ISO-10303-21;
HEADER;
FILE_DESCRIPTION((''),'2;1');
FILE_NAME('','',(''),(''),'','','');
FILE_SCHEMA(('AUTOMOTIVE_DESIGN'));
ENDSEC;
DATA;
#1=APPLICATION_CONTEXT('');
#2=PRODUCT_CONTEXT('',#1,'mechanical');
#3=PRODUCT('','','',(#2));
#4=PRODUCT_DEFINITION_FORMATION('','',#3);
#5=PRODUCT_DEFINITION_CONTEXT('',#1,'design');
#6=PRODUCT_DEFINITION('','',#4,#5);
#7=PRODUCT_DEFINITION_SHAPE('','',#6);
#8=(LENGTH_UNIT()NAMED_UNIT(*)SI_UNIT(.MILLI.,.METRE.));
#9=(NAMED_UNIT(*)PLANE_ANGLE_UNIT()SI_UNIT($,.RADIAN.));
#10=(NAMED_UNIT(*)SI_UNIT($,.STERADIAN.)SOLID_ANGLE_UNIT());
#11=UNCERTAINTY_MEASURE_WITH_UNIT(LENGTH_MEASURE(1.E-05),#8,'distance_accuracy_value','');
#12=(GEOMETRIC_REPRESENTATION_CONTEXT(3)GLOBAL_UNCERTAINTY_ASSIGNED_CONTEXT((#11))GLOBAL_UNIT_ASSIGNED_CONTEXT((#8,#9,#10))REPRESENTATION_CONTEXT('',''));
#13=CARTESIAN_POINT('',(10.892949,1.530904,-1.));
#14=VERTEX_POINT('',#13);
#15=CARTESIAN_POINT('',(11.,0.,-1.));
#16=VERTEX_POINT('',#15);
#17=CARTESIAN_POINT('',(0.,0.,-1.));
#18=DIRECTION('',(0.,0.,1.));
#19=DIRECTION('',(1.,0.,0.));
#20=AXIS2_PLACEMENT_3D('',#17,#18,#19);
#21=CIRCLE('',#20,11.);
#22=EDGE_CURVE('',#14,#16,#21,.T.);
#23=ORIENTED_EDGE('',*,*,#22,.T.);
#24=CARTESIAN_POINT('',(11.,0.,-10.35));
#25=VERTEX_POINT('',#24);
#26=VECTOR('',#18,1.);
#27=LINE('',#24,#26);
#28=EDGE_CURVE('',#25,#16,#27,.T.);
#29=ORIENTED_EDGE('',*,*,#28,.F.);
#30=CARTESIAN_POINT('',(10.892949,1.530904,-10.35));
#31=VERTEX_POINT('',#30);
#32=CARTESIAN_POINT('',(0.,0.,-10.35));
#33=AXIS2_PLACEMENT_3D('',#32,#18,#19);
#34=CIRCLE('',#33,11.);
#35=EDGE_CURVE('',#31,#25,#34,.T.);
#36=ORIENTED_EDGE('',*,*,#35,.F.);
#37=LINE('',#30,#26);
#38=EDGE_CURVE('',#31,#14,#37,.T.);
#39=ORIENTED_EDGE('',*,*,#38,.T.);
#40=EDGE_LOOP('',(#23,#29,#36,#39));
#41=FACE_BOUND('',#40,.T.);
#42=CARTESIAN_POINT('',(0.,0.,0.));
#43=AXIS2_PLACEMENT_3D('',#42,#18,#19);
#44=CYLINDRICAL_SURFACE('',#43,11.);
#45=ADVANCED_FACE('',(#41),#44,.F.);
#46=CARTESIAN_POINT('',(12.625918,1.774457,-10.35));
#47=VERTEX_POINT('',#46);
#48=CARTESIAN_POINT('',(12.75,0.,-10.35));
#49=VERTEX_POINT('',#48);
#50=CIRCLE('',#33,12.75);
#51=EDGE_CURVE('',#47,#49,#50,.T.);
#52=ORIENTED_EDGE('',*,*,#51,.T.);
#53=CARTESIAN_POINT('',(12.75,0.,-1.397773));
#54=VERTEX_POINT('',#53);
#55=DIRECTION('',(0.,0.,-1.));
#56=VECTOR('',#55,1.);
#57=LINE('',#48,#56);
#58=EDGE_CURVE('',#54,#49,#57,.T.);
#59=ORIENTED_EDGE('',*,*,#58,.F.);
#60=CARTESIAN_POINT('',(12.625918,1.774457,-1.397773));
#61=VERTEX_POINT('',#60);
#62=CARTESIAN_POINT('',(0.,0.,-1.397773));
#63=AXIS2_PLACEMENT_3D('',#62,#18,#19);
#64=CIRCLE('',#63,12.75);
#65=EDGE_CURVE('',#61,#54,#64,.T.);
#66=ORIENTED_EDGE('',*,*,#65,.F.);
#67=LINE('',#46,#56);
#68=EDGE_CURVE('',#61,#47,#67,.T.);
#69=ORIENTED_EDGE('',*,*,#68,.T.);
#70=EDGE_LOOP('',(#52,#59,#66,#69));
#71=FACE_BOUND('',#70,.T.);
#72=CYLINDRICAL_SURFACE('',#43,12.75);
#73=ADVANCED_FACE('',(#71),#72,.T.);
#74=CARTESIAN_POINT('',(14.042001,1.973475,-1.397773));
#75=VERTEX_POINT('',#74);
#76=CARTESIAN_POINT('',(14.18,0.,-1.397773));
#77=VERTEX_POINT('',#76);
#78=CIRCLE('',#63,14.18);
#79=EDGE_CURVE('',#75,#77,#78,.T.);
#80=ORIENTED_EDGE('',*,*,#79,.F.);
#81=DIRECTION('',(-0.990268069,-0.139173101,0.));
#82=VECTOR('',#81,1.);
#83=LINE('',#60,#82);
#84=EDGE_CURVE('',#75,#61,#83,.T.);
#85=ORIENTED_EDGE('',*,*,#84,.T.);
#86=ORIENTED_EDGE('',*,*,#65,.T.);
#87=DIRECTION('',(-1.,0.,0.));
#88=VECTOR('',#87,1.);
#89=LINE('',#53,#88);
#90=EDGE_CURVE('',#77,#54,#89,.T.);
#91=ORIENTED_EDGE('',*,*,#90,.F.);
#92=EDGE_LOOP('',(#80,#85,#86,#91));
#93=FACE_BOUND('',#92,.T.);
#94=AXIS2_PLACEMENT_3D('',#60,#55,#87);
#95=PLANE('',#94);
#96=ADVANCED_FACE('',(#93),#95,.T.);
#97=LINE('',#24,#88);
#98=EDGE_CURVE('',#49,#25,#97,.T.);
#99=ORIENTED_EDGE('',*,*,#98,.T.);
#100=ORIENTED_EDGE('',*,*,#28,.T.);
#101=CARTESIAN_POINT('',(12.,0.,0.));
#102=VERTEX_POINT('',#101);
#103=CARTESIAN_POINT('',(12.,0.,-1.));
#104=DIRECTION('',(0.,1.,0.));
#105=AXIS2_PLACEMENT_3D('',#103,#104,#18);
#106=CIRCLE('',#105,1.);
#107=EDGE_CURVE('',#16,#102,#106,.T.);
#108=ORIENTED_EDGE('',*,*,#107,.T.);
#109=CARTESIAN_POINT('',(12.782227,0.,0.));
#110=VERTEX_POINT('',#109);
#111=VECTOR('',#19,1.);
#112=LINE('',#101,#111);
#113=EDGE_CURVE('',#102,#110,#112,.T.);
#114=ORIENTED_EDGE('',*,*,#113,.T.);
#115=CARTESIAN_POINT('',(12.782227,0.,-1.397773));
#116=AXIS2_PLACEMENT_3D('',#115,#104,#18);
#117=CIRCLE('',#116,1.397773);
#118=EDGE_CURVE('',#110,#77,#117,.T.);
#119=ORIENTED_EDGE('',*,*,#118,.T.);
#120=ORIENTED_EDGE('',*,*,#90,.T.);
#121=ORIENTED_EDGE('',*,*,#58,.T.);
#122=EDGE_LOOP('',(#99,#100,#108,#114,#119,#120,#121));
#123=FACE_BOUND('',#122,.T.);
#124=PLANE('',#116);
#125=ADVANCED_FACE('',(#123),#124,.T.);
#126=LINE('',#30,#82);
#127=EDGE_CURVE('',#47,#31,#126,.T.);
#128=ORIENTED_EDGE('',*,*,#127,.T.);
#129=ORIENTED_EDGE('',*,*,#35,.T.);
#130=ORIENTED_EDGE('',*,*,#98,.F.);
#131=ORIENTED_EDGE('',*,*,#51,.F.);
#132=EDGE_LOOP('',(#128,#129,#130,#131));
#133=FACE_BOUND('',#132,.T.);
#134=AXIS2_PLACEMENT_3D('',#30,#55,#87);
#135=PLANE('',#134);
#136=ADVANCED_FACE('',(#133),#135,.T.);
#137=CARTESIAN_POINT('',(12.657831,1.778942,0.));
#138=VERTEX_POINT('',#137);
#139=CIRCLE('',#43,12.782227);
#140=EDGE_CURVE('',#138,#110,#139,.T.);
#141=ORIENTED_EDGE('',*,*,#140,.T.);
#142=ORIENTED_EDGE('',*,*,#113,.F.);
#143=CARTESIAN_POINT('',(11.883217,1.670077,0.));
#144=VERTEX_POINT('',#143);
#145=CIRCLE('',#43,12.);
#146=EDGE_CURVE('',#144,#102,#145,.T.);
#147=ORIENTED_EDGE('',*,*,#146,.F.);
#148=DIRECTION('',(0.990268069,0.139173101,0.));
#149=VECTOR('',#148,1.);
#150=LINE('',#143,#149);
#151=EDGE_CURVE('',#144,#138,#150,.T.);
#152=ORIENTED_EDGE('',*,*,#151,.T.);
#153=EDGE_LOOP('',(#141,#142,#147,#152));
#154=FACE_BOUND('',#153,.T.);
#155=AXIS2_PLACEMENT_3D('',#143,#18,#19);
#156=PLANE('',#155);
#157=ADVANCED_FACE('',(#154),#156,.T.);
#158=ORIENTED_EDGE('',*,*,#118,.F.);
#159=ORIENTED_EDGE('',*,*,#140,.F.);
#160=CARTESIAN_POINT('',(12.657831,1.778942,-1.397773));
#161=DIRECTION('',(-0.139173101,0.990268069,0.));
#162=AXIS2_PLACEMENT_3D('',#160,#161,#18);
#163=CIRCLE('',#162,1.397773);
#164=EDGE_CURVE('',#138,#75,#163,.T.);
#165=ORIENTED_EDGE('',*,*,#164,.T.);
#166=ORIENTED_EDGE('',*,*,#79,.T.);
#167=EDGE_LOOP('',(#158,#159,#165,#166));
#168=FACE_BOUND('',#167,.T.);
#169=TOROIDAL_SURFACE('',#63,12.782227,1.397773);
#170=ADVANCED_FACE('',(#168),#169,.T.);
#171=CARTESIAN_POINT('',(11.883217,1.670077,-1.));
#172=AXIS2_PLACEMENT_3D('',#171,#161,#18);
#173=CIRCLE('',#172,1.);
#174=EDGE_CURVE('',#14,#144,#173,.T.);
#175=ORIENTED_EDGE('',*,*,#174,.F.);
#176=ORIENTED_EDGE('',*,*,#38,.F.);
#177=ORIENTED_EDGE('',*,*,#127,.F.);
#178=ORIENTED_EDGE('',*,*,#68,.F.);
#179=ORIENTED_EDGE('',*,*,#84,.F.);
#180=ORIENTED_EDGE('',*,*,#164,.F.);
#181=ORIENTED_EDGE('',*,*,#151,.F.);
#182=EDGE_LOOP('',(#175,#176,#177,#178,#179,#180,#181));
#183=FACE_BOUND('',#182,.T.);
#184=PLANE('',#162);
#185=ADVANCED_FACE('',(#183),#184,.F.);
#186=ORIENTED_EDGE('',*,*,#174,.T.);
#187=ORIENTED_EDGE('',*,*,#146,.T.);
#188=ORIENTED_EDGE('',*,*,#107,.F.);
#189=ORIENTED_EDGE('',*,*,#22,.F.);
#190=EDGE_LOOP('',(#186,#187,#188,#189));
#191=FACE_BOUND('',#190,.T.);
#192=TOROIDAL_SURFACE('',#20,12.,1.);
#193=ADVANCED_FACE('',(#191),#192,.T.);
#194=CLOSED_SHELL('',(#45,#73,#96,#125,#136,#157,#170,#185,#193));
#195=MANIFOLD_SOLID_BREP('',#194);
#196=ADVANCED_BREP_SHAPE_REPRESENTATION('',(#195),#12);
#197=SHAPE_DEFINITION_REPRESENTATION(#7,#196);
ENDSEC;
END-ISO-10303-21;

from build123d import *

# Parameters (mm, degrees)
REVOLVE1_ANGLE = 352


with BuildPart() as part:
    # Sketch1 → Revolve1 (revolve)
    with BuildSketch(Plane(origin=(0, 0, 0), x_dir=(1, 0, 0), z_dir=(0, 1, 0))):
        with BuildLine():
            Line((11, 10.35), (11, 1))
            ThreePointArc((11, 1), (11.292893219, 0.292893219), (12, 0))
            Line((12, 0), (12.782227205, 0))
            ThreePointArc((12.782227205, 0), (13.770601827, 0.409398173), (14.18, 1.397772795))
            Line((14.18, 1.397772795), (12.75, 1.397772795))
            Line((12.75, 1.397772795), (12.75, 10.35))
            Line((12.75, 10.35), (11, 10.35))
        make_face()
    revolve(axis=Axis((0, 0, 0), (0, 0, -1)), revolution_arc=REVOLVE1_ANGLE)


solid = part.part
